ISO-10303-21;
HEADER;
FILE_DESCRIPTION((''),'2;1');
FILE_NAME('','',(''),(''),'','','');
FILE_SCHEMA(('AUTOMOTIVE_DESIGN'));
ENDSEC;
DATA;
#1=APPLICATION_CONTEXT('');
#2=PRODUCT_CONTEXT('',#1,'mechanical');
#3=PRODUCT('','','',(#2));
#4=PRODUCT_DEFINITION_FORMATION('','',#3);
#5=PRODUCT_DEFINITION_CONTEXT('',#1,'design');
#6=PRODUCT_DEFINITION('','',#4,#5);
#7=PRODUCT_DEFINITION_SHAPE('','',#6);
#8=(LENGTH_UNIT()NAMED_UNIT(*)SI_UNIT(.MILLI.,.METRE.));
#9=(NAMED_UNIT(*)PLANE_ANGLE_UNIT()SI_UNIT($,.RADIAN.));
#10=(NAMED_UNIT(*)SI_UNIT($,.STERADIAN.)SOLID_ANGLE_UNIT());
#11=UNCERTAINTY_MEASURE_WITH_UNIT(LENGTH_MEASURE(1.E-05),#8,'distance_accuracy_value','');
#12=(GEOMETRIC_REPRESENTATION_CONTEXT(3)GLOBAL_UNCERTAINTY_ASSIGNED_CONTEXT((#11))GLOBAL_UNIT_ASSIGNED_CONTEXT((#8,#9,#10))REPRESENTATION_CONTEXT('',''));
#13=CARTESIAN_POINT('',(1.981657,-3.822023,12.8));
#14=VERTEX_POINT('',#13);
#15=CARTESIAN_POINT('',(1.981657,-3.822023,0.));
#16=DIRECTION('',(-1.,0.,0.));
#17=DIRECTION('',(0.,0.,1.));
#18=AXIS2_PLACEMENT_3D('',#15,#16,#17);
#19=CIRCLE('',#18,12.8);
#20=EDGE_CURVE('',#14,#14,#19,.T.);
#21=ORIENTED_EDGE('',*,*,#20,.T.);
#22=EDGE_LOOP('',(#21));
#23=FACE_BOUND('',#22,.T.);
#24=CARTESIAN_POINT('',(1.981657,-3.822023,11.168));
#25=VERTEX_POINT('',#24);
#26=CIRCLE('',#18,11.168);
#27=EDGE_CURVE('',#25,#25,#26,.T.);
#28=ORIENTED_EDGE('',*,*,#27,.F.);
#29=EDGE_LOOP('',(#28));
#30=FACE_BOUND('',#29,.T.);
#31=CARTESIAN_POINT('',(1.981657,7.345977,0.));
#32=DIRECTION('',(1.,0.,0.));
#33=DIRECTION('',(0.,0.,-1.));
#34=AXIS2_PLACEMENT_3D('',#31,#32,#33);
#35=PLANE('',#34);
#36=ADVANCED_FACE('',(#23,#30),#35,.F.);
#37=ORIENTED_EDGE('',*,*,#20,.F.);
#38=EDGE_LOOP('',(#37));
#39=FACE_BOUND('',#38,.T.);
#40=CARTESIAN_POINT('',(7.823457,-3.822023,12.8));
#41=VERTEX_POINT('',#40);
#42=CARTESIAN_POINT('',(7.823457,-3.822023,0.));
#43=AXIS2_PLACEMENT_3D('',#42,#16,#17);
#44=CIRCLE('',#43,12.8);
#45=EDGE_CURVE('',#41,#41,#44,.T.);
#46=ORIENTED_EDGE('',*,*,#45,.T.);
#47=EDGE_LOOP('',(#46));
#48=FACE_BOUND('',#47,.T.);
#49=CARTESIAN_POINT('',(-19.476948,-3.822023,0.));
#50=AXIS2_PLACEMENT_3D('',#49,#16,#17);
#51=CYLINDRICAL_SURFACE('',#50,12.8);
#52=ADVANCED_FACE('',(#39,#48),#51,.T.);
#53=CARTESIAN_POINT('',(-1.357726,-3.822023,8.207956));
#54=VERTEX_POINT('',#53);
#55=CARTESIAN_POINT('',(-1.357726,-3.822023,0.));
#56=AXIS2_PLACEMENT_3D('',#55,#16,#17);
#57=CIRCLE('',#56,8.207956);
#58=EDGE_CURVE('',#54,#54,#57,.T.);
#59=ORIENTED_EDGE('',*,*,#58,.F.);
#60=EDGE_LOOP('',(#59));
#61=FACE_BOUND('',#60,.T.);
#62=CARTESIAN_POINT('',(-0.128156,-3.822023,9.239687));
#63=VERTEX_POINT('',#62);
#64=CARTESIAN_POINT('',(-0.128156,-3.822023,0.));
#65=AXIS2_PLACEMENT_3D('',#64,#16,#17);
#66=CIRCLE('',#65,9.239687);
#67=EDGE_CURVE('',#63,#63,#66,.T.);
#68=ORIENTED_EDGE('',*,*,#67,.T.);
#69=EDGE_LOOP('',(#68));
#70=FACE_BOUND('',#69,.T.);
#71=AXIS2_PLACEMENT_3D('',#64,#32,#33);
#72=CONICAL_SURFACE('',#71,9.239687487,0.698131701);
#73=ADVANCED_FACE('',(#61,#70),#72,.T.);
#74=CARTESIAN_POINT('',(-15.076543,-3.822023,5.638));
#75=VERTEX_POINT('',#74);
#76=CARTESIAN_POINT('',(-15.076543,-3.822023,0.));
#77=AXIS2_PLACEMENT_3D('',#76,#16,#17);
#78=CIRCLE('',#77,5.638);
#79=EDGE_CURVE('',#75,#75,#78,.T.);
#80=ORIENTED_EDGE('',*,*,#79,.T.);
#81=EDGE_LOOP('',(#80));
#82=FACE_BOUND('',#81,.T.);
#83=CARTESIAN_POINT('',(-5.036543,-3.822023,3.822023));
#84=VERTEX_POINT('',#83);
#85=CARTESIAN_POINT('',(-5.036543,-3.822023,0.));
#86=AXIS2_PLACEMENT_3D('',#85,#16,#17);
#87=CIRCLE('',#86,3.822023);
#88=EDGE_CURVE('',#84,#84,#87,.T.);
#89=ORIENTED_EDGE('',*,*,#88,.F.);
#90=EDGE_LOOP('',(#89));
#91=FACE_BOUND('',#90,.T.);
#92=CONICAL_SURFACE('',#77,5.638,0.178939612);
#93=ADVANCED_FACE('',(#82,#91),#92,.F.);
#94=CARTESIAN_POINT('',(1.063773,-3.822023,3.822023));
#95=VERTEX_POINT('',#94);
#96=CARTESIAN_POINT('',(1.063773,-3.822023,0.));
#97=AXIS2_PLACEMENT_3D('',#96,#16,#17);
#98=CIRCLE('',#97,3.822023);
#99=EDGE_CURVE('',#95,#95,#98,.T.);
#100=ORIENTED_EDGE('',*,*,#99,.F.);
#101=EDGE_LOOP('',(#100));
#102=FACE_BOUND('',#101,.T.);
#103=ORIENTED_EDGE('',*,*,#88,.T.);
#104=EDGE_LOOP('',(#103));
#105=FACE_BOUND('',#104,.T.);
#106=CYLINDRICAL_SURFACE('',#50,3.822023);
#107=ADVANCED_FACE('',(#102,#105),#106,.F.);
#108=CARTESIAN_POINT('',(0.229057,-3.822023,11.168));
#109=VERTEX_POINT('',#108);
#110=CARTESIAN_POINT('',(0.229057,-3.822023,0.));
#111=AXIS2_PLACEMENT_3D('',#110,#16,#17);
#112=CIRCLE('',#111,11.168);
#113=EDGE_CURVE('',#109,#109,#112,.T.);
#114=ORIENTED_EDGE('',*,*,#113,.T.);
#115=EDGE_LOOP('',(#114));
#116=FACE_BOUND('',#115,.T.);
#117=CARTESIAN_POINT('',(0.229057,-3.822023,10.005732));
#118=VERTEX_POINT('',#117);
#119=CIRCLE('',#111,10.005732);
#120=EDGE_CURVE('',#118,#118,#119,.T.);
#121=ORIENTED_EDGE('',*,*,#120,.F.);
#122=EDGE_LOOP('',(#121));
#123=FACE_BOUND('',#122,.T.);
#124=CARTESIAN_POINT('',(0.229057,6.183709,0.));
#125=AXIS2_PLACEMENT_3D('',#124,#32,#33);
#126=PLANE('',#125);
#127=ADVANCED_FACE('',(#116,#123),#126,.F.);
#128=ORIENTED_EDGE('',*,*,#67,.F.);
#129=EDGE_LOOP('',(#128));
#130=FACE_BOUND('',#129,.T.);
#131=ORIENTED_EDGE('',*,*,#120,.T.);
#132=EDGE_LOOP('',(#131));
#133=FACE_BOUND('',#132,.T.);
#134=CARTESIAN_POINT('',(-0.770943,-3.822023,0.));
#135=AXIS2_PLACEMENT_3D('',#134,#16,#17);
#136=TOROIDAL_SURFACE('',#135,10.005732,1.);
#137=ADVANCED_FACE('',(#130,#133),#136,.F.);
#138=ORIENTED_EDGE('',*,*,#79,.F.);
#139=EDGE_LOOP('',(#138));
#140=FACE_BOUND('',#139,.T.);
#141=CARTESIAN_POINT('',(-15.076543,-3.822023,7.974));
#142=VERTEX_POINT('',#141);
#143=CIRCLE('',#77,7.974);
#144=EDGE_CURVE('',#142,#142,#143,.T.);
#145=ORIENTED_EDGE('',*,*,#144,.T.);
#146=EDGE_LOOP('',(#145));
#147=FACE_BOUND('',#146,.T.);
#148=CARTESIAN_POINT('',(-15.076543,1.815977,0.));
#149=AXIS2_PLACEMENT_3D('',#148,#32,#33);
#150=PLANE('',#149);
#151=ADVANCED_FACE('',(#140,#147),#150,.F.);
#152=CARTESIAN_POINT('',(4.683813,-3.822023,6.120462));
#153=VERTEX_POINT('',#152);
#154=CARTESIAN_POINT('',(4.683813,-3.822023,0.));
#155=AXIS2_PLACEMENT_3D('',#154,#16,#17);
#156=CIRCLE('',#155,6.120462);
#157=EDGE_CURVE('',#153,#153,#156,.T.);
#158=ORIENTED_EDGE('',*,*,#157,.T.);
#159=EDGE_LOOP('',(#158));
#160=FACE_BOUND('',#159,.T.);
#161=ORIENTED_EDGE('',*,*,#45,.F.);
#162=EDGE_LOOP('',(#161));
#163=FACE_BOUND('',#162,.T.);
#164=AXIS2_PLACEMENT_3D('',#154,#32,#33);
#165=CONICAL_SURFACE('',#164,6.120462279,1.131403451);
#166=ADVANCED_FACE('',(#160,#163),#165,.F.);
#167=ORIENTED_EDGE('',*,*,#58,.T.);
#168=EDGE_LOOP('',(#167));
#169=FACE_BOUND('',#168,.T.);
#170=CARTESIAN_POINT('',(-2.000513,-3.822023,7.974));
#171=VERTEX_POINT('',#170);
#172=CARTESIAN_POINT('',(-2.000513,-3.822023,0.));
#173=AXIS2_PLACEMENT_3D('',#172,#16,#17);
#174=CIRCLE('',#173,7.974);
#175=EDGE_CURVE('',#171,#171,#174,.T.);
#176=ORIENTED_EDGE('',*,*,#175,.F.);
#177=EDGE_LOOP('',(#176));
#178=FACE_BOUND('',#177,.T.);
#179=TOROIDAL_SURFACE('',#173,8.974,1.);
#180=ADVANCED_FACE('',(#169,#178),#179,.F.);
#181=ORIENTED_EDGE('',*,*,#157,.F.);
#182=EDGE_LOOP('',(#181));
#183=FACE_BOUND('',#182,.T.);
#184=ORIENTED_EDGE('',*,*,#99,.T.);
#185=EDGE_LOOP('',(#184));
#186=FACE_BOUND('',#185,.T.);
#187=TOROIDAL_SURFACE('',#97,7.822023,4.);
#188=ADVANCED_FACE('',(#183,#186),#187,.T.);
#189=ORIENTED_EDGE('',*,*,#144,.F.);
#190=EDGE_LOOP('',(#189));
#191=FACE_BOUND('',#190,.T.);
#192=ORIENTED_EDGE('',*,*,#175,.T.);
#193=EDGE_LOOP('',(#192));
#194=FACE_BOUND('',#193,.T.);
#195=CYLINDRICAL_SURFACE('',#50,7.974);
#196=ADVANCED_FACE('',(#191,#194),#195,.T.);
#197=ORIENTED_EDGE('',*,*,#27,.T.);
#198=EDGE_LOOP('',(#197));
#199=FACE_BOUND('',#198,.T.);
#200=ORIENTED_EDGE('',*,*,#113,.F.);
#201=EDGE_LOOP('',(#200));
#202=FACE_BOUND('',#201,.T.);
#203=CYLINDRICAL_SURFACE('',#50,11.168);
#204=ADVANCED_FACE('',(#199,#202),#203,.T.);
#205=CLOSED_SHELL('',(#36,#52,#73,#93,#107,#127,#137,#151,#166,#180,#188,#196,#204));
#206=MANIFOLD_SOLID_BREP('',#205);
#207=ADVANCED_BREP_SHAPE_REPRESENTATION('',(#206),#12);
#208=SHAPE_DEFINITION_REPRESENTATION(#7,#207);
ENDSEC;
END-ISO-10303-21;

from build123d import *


with BuildPart() as part:
    # Esquisse1 → Révolution1 (revolve)
    with BuildSketch(Plane.XY, mode=Mode.PRIVATE) as r_volution1_sk:
        with BuildLine():
            Line((1.981656821, 8.97797736), (7.823456821, 8.97797736))
            Line((7.823456821, 8.97797736), (4.683813218, 2.298439639))
            ThreePointArc((4.683813218, 2.298439639), (3.207806254, 0.623149289), (1.06377284, 0))
            Line((1.06377284, 0), (0.803456821, 0))
            Line((0.803456821, 0), (-5.036543179, 0))
            Line((-5.036543179, 0), (-15.076543179, 1.81597736))
            Line((-15.076543179, 1.81597736), (-15.076543179, 4.15197736))
            Line((-15.076543179, 4.15197736), (-2.000513414, 4.15197736))
            ThreePointArc((-2.000513414, 4.15197736), (-1.65849327, 4.212284739), (-1.357725804, 4.385932917))
            Line((-1.357725804, 4.385932917), (-0.12815557, 5.417664847))
            ThreePointArc((-0.12815557, 5.417664847), (0.135364608, 5.761091028), (0.229056821, 6.18370929))
            Line((0.229056821, 6.18370929), (0.229056821, 7.34597736))
            Line((0.229056821, 7.34597736), (1.981656821, 7.34597736))
            Line((1.981656821, 7.34597736), (1.981656821, 8.97797736))
        make_face()
    revolve(r_volution1_sk.sketch.rotate(Axis((-19.476947674, -3.82202264, 0), (1, 0, 0)), 90), axis=Axis((-19.476947674, -3.82202264, 0), (1, 0, 0)))


solid = part.part
